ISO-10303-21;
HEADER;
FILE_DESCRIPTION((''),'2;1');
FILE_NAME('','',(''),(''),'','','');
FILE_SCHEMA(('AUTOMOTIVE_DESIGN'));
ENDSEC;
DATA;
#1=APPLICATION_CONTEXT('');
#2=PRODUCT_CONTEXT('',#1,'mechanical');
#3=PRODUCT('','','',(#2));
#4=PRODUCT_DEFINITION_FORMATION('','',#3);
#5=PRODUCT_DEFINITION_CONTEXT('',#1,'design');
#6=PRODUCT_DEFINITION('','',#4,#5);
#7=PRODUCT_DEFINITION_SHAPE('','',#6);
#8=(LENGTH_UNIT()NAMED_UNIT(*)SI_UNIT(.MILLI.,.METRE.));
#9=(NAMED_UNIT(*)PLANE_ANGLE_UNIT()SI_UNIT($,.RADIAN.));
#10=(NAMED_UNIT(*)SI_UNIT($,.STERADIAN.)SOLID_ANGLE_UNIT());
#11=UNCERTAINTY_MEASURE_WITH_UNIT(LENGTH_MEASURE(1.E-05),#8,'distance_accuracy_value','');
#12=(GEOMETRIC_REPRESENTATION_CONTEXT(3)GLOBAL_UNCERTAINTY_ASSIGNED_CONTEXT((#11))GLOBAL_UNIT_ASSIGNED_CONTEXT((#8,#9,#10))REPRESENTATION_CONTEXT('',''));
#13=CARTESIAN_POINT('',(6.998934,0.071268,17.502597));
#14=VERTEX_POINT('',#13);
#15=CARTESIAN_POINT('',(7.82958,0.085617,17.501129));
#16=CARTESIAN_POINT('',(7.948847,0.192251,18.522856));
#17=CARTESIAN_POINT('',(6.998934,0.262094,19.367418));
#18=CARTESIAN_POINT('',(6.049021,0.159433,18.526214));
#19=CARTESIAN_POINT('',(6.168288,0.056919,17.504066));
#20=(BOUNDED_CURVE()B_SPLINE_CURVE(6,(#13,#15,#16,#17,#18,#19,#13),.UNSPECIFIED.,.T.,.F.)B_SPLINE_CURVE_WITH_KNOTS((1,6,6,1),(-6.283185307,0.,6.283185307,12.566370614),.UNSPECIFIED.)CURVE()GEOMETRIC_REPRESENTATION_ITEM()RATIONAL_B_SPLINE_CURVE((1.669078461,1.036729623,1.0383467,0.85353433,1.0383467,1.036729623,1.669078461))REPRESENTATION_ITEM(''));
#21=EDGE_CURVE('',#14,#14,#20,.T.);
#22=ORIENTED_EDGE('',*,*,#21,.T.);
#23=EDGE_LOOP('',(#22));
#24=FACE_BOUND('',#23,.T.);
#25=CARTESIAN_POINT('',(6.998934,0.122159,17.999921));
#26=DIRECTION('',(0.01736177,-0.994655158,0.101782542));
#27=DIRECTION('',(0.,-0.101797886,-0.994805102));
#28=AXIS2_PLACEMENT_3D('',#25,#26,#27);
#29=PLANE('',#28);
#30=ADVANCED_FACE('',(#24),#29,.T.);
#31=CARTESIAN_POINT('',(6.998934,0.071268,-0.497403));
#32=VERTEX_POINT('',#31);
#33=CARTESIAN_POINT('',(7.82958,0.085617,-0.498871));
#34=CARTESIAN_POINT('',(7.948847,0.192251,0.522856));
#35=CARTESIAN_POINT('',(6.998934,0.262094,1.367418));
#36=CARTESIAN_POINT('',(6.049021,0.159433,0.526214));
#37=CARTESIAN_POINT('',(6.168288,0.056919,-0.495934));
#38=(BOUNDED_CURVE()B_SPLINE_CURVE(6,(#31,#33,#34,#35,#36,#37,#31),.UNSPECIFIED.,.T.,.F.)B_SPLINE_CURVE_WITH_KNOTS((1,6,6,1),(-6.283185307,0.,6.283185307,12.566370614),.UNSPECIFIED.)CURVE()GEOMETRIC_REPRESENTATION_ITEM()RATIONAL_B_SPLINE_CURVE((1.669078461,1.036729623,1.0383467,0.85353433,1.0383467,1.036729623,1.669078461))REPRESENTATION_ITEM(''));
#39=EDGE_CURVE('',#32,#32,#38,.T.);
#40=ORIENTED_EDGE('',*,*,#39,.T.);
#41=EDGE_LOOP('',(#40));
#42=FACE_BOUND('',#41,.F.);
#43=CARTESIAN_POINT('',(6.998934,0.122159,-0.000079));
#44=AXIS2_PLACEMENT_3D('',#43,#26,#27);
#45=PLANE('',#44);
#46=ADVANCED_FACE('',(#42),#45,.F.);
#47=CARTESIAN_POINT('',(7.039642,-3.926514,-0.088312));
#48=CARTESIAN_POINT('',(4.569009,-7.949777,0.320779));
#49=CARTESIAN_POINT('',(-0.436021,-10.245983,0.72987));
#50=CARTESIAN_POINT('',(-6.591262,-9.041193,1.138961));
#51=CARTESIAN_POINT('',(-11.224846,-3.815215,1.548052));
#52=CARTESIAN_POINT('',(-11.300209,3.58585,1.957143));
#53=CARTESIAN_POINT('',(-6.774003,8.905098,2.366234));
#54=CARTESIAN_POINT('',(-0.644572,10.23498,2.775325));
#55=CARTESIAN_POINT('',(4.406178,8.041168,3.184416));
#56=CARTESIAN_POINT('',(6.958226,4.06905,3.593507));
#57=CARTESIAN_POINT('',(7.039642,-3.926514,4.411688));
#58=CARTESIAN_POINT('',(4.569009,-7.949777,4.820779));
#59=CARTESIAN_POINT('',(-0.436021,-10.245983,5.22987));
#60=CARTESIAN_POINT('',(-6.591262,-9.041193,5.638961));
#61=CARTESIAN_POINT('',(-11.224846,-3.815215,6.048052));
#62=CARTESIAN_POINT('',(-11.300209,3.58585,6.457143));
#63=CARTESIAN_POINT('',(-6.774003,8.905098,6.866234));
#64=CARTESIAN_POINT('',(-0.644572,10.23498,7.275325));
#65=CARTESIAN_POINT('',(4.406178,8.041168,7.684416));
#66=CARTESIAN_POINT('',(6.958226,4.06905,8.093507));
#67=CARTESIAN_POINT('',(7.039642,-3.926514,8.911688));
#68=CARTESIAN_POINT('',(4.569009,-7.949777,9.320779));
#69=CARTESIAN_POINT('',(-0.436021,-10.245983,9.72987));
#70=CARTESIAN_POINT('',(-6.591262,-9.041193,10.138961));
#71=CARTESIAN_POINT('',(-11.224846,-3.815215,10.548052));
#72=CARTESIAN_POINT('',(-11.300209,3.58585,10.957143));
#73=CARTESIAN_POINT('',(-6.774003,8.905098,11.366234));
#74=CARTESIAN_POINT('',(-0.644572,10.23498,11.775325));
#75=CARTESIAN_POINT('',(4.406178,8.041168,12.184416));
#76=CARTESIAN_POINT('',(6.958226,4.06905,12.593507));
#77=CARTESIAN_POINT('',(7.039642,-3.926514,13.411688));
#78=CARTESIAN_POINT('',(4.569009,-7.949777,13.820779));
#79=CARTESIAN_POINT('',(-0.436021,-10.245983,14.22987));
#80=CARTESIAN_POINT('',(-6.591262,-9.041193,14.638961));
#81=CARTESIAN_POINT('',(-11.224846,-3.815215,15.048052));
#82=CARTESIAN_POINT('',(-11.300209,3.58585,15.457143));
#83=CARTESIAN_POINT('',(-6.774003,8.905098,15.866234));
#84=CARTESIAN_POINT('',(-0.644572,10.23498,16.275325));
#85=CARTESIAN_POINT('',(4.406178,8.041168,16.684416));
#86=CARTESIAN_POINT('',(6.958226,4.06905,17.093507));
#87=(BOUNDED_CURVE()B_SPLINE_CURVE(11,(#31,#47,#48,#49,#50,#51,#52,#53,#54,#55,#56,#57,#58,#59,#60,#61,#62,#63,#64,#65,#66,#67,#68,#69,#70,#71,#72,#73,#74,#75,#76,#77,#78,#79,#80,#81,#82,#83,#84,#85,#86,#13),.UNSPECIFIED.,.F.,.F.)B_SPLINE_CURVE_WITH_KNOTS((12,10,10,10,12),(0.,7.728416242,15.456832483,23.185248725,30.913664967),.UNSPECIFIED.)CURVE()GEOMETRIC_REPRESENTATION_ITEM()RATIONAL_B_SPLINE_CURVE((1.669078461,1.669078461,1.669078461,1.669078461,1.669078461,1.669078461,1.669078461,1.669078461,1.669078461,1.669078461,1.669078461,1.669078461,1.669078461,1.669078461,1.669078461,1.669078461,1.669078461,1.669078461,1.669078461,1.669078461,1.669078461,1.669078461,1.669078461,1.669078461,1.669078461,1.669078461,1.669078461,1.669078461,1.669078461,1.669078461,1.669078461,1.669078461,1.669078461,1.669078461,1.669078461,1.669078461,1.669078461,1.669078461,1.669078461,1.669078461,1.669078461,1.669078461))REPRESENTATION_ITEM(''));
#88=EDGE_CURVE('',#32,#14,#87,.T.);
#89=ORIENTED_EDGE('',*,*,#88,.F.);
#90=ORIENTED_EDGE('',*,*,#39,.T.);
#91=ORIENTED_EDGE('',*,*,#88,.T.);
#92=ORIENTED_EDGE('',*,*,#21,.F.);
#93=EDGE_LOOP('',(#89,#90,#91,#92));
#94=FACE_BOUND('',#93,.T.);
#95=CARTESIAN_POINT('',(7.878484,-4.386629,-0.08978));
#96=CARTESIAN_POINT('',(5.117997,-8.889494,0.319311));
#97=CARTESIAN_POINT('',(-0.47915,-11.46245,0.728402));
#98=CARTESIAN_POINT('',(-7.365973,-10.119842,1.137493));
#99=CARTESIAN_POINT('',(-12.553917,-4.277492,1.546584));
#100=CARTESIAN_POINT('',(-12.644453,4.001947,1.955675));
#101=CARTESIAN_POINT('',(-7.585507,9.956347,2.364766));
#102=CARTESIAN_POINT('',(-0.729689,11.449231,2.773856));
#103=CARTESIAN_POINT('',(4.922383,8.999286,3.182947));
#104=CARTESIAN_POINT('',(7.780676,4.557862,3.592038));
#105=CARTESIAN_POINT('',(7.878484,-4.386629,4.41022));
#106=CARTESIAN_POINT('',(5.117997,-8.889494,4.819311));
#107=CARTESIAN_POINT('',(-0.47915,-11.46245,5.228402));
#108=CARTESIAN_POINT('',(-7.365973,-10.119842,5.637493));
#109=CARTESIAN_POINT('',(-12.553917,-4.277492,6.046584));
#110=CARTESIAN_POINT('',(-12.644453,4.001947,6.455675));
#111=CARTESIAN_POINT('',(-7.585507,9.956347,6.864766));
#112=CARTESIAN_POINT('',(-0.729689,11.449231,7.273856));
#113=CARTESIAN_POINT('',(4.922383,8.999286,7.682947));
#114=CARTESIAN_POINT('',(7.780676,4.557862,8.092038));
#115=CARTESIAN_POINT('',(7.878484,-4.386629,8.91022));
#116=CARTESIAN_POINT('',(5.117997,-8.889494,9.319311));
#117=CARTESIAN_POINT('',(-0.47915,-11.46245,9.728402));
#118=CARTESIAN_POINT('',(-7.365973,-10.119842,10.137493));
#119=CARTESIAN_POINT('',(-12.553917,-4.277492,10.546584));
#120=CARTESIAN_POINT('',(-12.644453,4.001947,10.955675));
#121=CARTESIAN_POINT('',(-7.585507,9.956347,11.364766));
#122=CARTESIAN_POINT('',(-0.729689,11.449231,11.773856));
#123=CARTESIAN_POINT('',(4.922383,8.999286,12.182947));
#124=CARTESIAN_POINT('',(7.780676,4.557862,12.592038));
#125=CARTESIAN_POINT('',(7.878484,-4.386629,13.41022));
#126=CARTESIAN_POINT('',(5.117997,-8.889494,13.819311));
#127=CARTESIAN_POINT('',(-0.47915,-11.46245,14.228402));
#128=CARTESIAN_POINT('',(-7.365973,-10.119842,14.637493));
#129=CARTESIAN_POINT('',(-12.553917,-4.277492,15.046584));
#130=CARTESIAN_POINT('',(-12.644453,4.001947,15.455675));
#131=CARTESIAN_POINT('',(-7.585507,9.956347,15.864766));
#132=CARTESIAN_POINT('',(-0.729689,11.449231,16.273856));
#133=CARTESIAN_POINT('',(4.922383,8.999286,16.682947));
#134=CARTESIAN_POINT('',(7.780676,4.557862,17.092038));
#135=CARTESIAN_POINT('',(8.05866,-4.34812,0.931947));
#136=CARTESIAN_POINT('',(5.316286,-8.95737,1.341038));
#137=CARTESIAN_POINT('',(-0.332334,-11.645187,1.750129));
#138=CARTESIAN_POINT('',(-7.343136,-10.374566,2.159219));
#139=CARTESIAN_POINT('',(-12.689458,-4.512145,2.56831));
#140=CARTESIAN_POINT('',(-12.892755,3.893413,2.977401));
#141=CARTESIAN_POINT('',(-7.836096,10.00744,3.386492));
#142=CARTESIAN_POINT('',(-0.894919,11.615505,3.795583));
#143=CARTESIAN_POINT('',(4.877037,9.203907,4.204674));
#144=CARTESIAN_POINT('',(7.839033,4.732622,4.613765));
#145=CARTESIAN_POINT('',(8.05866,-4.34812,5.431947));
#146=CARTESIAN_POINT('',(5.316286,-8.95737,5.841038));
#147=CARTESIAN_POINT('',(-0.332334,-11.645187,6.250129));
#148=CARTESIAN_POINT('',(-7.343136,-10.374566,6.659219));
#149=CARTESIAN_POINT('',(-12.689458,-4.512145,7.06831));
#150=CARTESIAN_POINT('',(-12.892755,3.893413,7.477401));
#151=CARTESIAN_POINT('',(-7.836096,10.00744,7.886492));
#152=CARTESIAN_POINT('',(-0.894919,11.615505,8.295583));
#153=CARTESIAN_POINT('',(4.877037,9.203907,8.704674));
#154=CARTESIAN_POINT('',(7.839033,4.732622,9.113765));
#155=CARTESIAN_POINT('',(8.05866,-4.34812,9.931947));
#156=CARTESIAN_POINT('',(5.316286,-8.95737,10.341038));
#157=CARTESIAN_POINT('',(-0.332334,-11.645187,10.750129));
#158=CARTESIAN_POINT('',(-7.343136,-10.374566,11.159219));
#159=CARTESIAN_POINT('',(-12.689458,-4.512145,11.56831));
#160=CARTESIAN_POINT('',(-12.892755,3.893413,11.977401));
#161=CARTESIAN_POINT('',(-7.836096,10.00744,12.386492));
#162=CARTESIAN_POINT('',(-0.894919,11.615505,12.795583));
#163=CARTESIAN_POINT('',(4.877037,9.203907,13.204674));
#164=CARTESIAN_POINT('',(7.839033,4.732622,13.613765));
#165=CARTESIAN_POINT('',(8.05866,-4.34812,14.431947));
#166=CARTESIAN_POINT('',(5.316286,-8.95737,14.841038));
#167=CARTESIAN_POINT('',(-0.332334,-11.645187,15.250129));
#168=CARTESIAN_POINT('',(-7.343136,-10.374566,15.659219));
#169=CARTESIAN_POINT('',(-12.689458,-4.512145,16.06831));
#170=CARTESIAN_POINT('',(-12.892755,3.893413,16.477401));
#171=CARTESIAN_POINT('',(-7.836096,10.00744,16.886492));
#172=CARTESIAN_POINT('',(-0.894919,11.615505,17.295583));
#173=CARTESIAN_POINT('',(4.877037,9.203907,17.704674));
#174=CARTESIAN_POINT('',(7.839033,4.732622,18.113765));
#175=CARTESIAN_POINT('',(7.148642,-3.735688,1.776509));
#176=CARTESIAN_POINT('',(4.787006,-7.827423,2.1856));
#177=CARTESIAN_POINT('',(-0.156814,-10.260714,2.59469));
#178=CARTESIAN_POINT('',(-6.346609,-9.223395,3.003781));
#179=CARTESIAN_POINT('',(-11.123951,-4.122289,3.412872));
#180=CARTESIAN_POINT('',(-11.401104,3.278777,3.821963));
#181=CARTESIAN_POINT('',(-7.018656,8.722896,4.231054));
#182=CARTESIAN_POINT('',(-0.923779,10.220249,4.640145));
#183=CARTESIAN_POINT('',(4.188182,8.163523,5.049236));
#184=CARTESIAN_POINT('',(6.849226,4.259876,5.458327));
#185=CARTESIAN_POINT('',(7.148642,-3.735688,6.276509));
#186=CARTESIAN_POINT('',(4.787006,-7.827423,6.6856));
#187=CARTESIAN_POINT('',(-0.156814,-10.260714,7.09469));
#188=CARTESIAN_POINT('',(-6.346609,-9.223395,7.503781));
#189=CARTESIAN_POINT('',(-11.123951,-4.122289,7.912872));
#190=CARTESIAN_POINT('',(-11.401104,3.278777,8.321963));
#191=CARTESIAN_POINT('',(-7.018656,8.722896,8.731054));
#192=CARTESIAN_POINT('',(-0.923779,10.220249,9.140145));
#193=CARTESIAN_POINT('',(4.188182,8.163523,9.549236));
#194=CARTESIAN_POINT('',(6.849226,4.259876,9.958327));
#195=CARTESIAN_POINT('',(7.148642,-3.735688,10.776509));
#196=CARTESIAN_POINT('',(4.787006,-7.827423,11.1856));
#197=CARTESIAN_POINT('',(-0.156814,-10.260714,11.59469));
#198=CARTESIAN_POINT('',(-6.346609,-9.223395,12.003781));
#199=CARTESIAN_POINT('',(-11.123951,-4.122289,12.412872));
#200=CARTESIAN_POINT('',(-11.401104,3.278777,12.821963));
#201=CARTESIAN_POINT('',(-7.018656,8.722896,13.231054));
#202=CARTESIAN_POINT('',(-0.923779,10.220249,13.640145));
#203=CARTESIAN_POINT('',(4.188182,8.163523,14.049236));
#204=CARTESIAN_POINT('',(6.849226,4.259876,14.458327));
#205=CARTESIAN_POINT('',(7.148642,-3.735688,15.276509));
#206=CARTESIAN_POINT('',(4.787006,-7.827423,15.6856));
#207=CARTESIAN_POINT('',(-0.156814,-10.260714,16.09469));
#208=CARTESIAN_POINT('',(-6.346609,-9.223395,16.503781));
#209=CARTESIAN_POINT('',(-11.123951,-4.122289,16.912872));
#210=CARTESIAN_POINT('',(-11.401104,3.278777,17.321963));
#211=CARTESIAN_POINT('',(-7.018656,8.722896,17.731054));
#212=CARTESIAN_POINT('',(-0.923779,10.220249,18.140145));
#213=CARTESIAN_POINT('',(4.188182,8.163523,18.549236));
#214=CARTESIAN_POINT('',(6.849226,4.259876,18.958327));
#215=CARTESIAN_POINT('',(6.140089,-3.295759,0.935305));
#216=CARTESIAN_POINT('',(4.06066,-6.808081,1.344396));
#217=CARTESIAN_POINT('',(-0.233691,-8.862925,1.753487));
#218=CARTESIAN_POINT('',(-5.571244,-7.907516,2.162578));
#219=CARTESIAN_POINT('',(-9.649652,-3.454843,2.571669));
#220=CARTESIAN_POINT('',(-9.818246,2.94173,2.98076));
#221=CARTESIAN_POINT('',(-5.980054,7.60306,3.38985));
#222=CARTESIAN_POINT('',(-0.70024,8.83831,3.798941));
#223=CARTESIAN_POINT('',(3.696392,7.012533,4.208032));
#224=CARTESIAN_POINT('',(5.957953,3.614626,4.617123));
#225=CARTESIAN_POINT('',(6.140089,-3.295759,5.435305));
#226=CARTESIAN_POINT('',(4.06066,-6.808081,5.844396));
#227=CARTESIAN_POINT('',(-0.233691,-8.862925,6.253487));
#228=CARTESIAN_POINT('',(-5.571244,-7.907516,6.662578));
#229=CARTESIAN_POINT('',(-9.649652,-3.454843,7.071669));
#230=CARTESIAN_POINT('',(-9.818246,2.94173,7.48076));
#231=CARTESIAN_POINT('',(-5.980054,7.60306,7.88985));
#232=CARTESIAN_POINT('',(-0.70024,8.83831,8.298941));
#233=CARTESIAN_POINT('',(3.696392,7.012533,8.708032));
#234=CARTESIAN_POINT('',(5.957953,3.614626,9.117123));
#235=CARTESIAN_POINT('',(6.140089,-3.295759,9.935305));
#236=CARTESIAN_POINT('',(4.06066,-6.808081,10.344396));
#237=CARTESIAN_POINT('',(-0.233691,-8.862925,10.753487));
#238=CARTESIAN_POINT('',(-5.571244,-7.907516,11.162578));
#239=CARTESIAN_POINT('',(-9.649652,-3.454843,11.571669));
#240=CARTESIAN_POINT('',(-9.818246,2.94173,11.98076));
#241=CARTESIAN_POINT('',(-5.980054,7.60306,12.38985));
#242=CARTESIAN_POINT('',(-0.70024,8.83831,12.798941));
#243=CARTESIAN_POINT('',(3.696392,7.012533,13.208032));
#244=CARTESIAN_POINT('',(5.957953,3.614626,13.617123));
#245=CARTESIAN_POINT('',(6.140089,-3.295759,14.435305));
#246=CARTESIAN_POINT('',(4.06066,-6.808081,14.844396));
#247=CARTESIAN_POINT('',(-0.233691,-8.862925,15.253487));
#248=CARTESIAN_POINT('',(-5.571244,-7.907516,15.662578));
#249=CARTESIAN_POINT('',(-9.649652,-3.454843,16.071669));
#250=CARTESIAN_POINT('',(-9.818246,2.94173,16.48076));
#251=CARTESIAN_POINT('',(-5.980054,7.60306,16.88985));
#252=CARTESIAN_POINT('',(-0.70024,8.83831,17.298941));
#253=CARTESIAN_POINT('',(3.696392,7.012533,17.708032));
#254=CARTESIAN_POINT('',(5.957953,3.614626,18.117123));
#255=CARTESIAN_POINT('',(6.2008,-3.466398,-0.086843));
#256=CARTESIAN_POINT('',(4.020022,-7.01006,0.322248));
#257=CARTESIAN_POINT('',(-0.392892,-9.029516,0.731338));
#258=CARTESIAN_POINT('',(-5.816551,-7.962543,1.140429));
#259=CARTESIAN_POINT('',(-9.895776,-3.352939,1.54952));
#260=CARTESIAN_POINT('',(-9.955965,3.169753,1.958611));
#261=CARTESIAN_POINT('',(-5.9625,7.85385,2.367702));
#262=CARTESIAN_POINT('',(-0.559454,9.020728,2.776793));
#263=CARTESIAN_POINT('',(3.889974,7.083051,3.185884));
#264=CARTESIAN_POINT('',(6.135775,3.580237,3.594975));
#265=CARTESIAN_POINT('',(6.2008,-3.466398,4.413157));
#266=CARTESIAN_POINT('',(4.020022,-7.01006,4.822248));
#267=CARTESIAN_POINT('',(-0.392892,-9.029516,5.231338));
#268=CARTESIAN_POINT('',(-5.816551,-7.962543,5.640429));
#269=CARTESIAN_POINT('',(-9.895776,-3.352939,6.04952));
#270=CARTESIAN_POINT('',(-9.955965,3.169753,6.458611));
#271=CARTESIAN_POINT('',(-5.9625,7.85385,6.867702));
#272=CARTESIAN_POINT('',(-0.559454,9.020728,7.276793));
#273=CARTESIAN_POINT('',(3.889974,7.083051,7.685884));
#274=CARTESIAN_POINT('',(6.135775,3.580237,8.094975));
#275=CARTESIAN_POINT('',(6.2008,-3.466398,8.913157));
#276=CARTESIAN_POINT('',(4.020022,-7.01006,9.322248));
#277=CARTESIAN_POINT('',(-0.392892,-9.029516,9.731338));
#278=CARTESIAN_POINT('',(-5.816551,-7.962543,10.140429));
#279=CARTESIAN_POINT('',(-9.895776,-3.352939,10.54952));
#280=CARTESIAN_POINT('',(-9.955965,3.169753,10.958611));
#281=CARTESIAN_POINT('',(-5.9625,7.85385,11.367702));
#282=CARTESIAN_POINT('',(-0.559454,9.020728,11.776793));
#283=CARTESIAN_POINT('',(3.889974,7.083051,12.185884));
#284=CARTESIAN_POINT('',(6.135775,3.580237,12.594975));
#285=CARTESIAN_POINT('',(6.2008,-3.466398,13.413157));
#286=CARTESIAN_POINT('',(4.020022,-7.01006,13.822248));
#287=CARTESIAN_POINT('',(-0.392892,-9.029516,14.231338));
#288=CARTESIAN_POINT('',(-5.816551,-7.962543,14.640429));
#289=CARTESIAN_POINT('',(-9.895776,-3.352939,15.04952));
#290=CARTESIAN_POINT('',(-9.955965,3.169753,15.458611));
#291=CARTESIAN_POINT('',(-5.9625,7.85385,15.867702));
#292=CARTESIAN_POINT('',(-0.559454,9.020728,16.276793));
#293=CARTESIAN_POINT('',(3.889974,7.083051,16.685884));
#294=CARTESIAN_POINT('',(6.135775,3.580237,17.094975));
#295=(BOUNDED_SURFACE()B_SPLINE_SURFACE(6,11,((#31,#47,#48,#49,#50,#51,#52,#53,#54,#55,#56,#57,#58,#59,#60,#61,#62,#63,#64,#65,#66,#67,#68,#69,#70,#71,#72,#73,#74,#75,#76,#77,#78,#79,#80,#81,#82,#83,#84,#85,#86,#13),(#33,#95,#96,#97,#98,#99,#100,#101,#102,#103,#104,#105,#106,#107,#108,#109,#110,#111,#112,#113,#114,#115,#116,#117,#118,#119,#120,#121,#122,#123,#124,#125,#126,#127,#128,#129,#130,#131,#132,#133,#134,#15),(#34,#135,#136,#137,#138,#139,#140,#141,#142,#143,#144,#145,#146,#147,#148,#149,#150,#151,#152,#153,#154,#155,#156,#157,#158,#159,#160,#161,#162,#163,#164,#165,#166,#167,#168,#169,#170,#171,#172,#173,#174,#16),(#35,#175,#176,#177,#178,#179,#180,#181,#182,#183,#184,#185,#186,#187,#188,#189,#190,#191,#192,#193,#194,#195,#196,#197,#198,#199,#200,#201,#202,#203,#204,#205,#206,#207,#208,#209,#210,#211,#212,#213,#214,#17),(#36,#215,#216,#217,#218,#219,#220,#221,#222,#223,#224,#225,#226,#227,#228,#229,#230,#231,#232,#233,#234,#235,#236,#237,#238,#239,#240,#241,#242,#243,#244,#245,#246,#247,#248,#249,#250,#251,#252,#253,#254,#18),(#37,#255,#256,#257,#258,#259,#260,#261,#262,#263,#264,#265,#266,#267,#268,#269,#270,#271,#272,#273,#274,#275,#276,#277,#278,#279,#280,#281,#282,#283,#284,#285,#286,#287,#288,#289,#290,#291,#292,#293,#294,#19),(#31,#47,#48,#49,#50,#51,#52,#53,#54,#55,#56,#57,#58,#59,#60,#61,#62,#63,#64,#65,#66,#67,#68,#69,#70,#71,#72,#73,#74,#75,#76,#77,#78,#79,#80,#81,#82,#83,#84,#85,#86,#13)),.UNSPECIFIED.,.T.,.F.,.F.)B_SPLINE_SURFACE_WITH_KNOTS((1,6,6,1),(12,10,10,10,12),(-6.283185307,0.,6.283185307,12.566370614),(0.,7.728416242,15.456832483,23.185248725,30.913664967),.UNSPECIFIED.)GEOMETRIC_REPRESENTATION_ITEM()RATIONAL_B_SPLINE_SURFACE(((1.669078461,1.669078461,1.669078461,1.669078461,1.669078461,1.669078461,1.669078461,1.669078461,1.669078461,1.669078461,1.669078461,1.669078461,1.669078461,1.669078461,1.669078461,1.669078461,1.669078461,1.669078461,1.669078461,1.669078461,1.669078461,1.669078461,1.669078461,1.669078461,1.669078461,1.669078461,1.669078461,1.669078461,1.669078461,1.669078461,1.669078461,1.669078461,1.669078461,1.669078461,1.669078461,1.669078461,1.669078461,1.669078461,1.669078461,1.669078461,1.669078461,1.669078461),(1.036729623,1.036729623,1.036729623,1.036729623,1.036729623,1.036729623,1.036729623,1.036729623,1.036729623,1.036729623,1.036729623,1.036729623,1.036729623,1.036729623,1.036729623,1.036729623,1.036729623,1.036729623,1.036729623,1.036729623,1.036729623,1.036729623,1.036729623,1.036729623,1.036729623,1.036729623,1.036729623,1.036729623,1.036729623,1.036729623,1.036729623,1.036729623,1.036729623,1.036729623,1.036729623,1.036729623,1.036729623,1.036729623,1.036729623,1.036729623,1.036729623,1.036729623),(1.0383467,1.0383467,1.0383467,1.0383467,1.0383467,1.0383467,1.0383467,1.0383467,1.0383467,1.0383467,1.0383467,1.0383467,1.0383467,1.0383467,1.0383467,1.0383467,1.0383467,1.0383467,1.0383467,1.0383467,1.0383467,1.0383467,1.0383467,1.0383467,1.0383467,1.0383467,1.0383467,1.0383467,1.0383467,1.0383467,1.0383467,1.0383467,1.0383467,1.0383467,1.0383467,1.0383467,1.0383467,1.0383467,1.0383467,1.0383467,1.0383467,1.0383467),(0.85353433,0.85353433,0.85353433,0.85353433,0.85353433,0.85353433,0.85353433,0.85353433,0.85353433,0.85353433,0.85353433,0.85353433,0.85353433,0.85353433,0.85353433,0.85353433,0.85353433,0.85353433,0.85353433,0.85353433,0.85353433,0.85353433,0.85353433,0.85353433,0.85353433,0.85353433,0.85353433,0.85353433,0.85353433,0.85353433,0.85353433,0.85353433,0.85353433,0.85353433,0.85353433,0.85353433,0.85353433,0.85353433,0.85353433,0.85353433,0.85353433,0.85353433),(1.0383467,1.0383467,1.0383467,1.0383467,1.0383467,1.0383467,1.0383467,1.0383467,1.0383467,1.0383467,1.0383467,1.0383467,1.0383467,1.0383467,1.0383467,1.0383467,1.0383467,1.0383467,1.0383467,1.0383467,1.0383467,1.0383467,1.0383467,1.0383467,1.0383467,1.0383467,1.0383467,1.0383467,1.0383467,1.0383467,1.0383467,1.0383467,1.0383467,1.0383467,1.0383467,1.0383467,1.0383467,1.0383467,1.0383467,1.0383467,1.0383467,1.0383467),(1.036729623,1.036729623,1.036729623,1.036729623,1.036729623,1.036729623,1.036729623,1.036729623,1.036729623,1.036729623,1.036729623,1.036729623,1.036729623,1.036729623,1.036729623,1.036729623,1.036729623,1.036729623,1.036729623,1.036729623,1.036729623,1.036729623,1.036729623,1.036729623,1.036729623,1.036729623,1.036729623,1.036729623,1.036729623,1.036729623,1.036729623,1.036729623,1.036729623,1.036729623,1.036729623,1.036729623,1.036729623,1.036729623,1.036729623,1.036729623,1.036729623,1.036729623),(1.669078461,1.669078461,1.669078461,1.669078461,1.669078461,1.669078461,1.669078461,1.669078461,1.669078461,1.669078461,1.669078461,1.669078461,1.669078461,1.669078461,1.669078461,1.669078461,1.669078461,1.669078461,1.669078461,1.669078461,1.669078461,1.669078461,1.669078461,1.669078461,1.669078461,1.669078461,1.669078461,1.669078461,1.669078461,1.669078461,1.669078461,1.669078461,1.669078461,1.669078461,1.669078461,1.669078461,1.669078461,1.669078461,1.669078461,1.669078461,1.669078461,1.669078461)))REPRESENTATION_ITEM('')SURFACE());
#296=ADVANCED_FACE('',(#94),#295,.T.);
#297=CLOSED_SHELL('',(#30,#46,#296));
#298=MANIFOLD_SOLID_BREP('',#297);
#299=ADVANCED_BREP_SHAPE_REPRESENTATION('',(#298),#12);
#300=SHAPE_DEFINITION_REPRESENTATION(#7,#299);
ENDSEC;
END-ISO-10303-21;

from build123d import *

# Parameters (mm, degrees)
SWEEP1_PITCH       = 4.5
SWEEP1_HEIGHT      = 18
SWEEP1_RADIUS      = 7
SWEEP1_START_ANGLE = 1
SWEEP1_PROFILE_R   = 0.5


with BuildPart() as part:
    # Sweep1: sweep along a helix
    with BuildLine() as sweep1_path:
        add(Helix(SWEEP1_PITCH, SWEEP1_HEIGHT, SWEEP1_RADIUS, center=(0, 0, 0), direction=(0, 0, 1), lefthand=True, mode=Mode.PRIVATE).rotate(Axis((0, 0, 0), (0, 0, 1)), SWEEP1_START_ANGLE))
    # Sweep1 profile (on start of the path) → Sweep1 (sweep)
    with BuildSketch(Plane(origin=(6.998933866, 0.122166845, 0), x_dir=(0, -0.1017978860367273, -0.9948051017151317), z_dir=(0.0173617703612925, -0.9946551578316791, 0.10178254235751488))):
        Circle(SWEEP1_PROFILE_R)
    sweep(path=sweep1_path.line, is_frenet=True)


solid = part.part
